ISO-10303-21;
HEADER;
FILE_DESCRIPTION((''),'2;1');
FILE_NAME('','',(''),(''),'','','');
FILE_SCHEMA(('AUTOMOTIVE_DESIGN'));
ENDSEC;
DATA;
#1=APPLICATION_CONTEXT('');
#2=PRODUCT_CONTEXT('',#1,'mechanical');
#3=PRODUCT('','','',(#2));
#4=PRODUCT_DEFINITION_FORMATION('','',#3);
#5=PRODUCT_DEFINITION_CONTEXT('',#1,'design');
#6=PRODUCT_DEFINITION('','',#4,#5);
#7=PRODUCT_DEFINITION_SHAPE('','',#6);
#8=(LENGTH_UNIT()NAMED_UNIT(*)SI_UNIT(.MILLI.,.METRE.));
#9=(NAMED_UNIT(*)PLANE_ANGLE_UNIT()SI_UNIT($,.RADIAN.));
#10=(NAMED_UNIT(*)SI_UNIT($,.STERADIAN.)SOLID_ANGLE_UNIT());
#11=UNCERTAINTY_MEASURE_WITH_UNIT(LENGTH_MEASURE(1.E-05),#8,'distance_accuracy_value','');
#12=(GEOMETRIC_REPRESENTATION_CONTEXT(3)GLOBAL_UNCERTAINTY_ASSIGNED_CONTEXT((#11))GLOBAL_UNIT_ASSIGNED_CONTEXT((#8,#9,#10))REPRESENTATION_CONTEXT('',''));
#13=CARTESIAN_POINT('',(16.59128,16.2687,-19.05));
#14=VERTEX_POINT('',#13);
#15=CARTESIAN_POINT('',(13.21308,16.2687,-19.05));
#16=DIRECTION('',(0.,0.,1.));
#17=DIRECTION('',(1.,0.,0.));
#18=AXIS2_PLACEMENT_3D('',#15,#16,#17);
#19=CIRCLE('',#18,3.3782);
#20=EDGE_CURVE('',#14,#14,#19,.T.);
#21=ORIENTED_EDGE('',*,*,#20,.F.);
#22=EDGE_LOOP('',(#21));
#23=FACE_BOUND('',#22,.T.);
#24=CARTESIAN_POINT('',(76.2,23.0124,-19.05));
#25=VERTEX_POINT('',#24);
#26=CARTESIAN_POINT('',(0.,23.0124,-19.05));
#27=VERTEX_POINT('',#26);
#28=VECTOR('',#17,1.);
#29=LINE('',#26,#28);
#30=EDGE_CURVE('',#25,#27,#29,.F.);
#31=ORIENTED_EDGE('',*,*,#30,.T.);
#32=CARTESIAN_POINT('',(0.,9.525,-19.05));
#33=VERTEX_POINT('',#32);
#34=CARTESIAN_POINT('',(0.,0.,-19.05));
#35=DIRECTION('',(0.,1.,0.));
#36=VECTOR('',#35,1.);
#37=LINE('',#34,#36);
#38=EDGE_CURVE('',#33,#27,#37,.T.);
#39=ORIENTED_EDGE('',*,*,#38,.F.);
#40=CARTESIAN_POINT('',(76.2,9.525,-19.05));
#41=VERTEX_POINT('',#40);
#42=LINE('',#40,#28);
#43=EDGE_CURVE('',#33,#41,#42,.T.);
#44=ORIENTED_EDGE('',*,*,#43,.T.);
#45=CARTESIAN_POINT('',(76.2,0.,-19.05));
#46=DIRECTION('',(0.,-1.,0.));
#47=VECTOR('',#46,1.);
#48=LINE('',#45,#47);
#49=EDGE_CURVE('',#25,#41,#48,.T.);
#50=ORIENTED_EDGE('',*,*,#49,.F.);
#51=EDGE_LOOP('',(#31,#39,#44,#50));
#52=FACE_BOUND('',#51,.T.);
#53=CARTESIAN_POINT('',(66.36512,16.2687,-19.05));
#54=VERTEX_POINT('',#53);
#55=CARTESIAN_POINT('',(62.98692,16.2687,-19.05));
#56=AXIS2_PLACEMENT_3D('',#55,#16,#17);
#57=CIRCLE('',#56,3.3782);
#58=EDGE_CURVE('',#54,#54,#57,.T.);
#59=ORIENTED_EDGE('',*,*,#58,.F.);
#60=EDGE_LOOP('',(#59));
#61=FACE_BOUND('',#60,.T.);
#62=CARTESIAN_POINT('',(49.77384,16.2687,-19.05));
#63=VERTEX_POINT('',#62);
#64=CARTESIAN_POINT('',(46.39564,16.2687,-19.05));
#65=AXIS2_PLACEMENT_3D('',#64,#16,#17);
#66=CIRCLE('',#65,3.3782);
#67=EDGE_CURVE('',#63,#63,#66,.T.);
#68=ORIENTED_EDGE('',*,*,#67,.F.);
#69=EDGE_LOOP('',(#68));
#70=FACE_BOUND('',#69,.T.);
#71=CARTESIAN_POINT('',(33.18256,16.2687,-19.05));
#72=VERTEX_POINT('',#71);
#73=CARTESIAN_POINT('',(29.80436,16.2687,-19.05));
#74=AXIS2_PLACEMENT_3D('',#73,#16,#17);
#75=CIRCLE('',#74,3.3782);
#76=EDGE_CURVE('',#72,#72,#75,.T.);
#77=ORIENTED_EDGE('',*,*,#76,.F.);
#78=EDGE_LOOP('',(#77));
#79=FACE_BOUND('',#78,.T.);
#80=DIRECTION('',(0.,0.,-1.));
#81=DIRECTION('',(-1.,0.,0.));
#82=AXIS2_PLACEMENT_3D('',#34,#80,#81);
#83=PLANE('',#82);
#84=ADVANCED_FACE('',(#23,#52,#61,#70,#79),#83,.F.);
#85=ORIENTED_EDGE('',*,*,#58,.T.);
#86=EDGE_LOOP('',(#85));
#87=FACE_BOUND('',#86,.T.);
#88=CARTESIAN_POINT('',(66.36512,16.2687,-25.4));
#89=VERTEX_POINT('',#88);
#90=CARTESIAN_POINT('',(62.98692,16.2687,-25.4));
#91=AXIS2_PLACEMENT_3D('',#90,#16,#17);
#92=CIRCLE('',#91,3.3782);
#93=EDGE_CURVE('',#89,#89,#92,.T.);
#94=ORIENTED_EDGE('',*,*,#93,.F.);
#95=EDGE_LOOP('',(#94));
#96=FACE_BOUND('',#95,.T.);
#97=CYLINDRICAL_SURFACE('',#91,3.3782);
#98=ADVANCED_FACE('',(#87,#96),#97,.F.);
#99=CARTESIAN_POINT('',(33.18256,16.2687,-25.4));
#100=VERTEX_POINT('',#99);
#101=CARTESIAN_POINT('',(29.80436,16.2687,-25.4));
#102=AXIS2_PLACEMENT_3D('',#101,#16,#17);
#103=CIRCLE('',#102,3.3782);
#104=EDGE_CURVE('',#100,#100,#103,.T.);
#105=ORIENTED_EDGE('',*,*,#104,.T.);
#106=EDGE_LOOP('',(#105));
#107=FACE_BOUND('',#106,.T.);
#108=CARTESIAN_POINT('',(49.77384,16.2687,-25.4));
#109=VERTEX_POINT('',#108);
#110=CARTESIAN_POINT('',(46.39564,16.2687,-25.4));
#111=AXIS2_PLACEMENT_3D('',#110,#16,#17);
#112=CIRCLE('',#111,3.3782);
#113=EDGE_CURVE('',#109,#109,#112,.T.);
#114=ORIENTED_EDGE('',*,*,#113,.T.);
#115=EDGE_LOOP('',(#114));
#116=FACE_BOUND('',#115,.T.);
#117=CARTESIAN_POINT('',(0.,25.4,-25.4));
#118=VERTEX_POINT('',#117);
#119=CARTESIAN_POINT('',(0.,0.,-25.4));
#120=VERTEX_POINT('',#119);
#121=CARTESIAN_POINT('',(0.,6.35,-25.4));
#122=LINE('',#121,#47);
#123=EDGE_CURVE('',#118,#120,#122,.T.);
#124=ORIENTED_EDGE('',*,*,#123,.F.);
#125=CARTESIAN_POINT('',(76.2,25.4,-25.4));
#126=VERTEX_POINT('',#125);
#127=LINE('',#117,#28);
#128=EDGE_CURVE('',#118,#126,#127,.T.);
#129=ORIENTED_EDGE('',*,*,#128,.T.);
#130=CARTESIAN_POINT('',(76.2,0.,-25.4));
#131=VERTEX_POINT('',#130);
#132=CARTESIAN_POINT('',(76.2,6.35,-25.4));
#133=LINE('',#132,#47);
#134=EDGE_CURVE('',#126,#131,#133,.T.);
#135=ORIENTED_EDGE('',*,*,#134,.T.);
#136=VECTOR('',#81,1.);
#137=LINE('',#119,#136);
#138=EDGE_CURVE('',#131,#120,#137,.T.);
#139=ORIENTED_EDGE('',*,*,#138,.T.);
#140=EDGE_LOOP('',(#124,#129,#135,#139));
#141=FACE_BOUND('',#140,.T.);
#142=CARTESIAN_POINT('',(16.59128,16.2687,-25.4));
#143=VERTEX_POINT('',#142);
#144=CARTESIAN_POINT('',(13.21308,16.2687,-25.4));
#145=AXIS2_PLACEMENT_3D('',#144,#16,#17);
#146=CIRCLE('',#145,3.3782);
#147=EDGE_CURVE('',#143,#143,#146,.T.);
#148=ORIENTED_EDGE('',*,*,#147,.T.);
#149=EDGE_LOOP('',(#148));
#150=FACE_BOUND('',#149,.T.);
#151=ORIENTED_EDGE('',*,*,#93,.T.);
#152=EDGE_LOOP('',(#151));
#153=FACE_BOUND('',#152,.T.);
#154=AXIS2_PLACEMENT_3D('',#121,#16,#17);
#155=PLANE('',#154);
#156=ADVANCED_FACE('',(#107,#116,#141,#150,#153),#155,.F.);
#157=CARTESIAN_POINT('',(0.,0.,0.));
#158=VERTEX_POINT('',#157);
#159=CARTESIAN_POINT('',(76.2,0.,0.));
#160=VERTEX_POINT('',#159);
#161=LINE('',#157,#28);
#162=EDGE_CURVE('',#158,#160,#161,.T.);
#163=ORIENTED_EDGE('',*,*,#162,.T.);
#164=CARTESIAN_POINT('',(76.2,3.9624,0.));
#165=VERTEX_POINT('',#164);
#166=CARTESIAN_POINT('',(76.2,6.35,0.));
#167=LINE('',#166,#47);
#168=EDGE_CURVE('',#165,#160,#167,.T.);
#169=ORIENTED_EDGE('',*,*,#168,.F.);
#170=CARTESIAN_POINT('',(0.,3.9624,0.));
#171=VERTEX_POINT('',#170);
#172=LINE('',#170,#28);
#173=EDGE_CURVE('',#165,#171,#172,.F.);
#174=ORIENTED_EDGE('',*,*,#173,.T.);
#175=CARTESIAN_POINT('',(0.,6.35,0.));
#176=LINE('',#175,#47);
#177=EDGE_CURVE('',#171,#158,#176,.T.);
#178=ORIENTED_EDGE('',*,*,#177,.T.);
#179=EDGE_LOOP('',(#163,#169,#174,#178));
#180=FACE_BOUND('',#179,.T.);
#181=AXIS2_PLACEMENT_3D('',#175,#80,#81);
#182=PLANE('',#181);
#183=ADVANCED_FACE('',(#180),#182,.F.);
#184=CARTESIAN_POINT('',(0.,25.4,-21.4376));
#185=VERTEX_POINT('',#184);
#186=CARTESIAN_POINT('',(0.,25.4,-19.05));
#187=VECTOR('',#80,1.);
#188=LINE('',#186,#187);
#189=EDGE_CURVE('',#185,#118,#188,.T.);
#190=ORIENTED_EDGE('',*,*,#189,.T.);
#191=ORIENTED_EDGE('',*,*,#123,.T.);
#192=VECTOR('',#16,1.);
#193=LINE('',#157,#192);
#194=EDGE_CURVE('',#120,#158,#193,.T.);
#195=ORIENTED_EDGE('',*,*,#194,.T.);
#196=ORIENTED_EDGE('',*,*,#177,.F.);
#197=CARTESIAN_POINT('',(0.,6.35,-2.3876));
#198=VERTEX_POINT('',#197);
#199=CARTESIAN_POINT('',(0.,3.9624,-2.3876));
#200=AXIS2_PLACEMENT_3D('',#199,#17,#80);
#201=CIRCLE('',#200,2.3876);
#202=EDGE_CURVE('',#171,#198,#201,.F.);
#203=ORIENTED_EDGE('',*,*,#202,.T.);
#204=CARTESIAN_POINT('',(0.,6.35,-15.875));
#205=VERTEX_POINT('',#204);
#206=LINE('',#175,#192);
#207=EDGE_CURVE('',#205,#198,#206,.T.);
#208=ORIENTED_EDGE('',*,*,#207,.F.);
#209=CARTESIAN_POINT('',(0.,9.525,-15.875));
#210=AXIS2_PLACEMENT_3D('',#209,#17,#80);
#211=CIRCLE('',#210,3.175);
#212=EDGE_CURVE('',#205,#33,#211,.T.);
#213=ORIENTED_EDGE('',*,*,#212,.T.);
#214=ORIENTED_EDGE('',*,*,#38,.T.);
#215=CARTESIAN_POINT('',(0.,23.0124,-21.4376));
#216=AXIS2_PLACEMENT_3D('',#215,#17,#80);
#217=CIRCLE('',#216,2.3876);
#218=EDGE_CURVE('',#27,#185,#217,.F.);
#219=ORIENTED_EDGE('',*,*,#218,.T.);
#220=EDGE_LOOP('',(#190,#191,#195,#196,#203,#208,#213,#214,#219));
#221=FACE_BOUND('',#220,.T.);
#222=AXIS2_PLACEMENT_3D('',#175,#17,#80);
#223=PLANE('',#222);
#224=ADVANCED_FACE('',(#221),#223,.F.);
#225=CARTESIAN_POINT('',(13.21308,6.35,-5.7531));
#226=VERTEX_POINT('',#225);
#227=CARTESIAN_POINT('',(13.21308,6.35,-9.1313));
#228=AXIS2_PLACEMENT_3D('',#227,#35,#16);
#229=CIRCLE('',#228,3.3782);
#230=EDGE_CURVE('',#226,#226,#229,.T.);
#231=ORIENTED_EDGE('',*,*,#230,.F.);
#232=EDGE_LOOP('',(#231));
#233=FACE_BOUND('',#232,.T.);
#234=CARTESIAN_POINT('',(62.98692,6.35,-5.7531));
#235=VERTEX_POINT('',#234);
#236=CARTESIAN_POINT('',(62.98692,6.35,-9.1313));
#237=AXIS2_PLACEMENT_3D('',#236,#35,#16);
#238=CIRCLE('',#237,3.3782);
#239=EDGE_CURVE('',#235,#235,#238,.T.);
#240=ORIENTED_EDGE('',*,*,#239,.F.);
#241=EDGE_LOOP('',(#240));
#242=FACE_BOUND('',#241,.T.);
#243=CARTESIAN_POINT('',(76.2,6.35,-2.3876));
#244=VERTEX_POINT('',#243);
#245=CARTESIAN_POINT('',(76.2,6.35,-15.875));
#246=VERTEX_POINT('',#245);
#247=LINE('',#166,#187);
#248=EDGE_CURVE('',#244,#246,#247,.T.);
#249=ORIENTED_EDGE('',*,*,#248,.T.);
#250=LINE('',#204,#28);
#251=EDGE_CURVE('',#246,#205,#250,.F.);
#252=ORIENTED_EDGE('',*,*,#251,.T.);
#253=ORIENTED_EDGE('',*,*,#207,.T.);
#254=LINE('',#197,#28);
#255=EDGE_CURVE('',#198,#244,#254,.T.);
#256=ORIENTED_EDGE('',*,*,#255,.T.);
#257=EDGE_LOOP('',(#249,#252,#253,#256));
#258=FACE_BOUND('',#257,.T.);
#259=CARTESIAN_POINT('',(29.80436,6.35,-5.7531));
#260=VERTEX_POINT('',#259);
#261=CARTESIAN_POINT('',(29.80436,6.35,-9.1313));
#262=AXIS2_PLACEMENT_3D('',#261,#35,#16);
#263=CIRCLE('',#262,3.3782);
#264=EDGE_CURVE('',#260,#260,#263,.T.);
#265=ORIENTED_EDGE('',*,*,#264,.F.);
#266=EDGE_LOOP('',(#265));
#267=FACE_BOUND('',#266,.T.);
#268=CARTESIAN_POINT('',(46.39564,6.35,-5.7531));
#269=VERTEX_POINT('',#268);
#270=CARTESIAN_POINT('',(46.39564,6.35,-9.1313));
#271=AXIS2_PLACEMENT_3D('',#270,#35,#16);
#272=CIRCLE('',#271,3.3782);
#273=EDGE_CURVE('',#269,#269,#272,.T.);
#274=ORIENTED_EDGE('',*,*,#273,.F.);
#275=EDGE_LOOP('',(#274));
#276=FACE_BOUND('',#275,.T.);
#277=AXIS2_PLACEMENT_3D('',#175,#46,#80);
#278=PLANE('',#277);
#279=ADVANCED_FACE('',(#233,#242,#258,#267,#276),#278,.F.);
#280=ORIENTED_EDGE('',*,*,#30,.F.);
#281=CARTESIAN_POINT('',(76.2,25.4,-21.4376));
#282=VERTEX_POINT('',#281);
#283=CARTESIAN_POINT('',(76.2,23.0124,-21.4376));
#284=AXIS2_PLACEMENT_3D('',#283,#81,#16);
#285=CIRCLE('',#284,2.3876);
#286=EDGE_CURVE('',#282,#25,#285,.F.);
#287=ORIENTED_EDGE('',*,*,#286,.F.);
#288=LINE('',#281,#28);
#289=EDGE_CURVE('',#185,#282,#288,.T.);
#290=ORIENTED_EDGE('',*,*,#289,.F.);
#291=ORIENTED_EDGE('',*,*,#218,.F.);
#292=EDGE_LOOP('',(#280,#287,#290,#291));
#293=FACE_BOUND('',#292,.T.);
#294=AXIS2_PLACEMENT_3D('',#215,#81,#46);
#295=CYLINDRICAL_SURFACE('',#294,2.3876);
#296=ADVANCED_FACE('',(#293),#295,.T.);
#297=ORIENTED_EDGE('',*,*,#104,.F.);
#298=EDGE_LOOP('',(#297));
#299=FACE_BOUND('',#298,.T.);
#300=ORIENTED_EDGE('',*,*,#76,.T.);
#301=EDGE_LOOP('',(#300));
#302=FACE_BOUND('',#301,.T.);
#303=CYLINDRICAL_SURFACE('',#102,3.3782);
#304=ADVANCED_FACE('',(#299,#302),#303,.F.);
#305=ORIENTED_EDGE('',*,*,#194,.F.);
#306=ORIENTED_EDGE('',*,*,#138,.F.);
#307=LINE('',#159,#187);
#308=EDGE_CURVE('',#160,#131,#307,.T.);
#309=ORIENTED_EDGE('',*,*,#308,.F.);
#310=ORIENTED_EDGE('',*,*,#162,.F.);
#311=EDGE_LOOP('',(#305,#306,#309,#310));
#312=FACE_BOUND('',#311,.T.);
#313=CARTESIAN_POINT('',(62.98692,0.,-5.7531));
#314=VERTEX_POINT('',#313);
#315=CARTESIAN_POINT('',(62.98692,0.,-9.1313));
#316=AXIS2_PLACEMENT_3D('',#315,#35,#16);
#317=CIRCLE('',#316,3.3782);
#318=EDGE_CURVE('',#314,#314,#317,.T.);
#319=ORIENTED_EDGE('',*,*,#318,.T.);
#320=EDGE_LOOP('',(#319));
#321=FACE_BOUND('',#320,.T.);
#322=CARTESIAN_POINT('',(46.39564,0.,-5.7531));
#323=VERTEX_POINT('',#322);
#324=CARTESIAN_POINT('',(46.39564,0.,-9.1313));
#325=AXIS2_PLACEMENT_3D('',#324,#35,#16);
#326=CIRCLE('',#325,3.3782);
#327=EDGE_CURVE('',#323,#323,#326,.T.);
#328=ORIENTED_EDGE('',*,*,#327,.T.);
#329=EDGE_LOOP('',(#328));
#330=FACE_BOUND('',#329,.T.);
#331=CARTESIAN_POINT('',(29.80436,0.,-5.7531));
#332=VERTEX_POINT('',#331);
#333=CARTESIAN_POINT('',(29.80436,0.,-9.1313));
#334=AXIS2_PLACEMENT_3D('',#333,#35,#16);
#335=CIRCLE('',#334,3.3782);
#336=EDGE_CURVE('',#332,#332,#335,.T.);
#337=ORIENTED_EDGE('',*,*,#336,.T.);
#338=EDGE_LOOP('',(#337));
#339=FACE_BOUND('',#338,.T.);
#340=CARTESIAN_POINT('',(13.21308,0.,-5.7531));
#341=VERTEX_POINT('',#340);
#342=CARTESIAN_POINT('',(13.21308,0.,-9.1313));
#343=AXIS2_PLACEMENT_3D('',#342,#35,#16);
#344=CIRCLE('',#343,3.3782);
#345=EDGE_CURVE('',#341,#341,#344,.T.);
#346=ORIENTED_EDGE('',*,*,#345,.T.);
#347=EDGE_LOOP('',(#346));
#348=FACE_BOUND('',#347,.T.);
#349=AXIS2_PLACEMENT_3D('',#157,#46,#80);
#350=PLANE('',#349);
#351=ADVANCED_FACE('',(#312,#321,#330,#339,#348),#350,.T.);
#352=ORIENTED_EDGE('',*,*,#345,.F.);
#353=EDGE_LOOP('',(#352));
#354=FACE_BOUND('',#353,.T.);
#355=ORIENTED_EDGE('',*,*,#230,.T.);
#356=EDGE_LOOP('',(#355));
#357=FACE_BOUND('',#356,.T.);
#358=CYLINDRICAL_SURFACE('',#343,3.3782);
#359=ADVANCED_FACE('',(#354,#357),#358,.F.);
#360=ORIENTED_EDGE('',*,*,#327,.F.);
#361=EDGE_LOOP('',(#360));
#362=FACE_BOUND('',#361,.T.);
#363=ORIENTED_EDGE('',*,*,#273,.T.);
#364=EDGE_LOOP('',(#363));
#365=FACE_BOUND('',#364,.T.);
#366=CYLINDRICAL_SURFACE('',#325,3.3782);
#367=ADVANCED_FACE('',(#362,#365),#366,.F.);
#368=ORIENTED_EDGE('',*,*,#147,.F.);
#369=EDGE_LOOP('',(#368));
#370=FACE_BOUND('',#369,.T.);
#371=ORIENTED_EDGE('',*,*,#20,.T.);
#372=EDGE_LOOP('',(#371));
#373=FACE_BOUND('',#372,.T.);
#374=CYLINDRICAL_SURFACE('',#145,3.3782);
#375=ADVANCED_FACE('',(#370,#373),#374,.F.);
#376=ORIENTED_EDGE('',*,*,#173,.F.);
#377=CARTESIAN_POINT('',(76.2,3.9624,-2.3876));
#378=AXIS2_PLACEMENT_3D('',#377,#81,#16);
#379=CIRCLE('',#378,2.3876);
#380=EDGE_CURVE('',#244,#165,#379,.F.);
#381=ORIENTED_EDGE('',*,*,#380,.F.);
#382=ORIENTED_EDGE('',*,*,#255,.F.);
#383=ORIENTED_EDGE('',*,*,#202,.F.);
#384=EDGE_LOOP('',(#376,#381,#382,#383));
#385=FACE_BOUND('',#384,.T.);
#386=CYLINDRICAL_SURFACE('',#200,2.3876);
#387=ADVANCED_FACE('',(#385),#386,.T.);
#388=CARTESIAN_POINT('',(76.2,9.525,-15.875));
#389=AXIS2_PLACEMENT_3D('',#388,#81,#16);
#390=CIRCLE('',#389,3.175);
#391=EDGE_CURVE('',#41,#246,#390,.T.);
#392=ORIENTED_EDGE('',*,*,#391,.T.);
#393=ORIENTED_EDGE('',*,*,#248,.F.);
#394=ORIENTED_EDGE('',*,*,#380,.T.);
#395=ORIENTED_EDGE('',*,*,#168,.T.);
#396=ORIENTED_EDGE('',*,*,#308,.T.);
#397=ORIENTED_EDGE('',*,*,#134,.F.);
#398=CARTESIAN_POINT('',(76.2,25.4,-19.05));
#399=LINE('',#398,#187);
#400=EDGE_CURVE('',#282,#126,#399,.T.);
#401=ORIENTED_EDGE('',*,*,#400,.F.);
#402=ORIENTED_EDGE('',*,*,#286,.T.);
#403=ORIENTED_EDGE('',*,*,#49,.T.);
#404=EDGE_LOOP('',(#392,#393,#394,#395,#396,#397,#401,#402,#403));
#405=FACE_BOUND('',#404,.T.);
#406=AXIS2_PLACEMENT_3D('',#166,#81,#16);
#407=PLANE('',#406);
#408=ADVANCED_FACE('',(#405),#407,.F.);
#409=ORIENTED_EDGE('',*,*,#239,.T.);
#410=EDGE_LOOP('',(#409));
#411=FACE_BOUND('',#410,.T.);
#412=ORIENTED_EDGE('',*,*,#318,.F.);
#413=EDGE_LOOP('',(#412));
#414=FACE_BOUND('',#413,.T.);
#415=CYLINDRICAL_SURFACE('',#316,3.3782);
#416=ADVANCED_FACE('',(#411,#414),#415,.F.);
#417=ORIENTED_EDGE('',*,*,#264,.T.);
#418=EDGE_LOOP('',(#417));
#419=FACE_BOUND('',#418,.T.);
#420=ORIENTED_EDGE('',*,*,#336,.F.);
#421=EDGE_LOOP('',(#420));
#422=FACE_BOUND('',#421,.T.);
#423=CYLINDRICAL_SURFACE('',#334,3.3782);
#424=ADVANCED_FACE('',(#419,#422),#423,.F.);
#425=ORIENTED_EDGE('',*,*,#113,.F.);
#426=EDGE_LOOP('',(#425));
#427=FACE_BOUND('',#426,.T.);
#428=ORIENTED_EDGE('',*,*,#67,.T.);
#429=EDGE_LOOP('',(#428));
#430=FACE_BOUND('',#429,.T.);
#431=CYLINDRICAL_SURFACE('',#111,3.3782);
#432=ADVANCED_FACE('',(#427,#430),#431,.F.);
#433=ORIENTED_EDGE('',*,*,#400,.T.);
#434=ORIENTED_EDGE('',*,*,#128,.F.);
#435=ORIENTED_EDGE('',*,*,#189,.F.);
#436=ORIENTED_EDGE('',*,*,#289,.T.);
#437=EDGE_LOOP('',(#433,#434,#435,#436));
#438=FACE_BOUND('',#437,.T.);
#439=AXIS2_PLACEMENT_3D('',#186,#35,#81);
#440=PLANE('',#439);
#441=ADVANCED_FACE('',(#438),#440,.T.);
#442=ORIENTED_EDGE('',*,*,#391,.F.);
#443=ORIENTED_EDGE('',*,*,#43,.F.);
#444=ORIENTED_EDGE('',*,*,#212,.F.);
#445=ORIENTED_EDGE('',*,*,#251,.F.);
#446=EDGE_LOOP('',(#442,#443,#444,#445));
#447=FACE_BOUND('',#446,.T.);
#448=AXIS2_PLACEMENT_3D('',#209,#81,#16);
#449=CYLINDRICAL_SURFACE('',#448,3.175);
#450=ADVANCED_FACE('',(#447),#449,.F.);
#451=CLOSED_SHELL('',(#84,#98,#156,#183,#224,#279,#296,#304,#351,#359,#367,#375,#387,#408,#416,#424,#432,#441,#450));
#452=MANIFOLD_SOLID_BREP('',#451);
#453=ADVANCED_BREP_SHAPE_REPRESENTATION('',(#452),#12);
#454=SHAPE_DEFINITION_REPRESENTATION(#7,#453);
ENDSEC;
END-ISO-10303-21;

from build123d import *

# Parameters (mm, degrees)
SKETCH1_W           = 76.2
SKETCH1_H           = 25.4
BOSS_EXTRUDE1_DEPTH = 6.35
SKETCH2_W           = 76.2
SKETCH2_H           = 25.4
BOSS_EXTRUDE2_DEPTH = 6.35
FILLET1_R           = 3.175
FILLET2_R           = 2.3876
SKETCH3_R           = 3.3782
CUT_EXTRUDE1_DEPTH  = 7.35
SKETCH4_R           = 3.3782
CUT_EXTRUDE2_DEPTH  = 7.35


with BuildPart() as part:
    # Sketch1 → Boss-Extrude1 (new body)
    with BuildSketch(Plane(origin=(0, 0, 0), x_dir=(1, 0, 0), z_dir=(0, 1, 0))):
        with Locations((38.1, 12.7)):
            Rectangle(SKETCH1_W, SKETCH1_H)
    extrude(amount=BOSS_EXTRUDE1_DEPTH)

    # Sketch2 → Boss-Extrude2 (add)
    with BuildSketch(Plane(origin=(0, 0, -25.4), x_dir=(-1, 0, 0), z_dir=(0, 0, -1))):
        with Locations((-38.1, 12.7)):
            Rectangle(SKETCH2_W, SKETCH2_H)
    extrude(amount=-BOSS_EXTRUDE2_DEPTH)

    # Fillet1
    fillet1_edges = [part.edges().sort_by_distance(p)[0] for p in [
        (38.1, 6.35, -19.05),
    ]]
    fillet(fillet1_edges, radius=FILLET1_R)

    # Fillet2
    fillet2_edges = [part.edges().sort_by_distance(p)[0] for p in [
        (38.1, 25.4, -19.05),
        (38.1, 6.35, 0),
    ]]
    fillet(fillet2_edges, radius=FILLET2_R)

    # Sketch3 → Cut-Extrude1 (cut, through all)
    with BuildSketch(Plane(origin=(0, 6.35, 0), x_dir=(1, 0, 0), z_dir=(0, 1, 0))):
        with Locations((13.21308, 9.1313)):
            Circle(SKETCH3_R)
        with Locations((29.80436, 9.1313)):
            Circle(SKETCH3_R)
        with Locations((46.39564, 9.1313)):
            Circle(SKETCH3_R)
        with Locations((62.98692, 9.1313)):
            Circle(SKETCH3_R)
    extrude(amount=-CUT_EXTRUDE1_DEPTH, mode=Mode.SUBTRACT)

    # Sketch4 → Cut-Extrude2 (cut, through all)
    with BuildSketch(Plane.XY.offset(-19.05)):
        with Locations((13.21308, 16.2687)):
            Circle(SKETCH4_R)
        with Locations((29.80436, 16.2687)):
            Circle(SKETCH4_R)
        with Locations((46.39564, 16.2687)):
            Circle(SKETCH4_R)
        with Locations((62.98692, 16.2687)):
            Circle(SKETCH4_R)
    extrude(amount=-CUT_EXTRUDE2_DEPTH, mode=Mode.SUBTRACT)


solid = part.part
